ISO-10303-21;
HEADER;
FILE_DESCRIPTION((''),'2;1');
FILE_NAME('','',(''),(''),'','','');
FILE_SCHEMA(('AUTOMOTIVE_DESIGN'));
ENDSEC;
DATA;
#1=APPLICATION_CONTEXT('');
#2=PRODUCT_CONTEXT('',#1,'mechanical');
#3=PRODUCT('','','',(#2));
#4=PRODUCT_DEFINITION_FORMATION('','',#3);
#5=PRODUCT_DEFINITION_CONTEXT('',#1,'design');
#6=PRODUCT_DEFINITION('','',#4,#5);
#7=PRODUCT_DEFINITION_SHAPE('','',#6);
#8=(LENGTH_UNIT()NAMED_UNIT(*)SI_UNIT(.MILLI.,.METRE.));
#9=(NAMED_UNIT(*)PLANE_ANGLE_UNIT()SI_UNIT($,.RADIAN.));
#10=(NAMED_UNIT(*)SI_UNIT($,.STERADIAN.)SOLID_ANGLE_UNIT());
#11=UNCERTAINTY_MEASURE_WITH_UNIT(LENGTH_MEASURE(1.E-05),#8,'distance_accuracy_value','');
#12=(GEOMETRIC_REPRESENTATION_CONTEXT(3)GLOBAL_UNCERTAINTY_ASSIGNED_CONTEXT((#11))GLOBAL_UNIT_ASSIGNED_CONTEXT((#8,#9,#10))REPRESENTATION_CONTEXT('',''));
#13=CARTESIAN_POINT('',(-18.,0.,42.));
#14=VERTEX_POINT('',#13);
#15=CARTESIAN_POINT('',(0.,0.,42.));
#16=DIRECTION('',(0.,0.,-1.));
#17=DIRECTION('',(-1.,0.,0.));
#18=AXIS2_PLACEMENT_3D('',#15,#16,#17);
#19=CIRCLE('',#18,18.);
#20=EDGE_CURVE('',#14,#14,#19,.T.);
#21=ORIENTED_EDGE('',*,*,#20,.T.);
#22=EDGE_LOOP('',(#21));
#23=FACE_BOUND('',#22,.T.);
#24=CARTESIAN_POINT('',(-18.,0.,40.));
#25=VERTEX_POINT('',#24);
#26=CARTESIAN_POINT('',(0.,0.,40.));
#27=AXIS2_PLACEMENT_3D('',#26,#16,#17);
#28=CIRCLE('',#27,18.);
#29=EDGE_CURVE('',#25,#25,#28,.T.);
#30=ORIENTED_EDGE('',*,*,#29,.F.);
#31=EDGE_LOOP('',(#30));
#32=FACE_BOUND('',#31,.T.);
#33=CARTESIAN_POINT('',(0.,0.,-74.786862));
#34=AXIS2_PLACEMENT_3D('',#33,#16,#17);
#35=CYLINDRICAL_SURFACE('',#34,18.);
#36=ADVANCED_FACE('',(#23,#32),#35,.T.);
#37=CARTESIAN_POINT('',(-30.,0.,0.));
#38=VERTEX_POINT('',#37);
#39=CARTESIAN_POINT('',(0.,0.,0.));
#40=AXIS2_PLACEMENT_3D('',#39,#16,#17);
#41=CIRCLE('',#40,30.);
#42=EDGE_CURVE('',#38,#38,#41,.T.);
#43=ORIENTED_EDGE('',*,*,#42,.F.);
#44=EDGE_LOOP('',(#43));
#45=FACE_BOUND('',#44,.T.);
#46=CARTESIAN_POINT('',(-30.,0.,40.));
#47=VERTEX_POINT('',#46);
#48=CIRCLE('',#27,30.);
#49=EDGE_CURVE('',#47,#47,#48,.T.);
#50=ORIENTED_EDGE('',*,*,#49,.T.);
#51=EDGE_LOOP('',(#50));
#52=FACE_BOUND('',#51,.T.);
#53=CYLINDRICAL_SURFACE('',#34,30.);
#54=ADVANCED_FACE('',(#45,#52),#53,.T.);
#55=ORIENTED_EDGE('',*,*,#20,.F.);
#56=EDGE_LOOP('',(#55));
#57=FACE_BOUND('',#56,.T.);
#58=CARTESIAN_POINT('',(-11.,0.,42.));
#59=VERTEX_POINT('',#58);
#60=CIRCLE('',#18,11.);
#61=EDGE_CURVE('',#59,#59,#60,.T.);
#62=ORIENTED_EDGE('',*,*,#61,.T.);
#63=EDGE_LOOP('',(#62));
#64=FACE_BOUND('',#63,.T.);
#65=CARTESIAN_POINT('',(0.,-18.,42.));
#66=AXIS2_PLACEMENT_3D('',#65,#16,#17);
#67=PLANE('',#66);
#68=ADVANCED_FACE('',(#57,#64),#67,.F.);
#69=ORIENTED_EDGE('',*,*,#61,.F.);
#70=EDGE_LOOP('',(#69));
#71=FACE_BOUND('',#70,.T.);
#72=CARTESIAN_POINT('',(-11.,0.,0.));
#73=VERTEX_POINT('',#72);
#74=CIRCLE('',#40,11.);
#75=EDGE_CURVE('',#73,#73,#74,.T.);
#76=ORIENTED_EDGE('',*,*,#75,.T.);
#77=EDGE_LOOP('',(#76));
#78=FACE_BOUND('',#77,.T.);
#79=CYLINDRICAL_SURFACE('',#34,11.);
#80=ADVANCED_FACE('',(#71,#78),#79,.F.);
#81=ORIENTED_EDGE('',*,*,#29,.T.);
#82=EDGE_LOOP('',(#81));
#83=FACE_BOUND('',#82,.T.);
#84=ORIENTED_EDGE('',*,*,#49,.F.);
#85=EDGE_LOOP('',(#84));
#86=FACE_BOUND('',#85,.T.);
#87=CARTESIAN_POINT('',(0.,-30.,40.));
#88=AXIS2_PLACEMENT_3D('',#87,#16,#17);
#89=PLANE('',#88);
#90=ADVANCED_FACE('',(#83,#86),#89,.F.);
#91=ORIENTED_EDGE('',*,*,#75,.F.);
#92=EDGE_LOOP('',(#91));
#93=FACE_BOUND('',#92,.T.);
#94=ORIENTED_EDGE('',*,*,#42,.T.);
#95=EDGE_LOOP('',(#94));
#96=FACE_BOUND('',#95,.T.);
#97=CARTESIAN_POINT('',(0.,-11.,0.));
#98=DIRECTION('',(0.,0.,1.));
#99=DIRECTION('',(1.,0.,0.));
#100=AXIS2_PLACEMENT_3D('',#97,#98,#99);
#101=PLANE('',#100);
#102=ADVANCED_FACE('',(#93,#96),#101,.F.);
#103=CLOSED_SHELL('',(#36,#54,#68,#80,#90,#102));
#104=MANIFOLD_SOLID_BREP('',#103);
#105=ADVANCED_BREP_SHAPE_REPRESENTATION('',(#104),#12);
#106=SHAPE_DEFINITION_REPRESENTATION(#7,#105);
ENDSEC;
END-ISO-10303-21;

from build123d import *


with BuildPart() as part:
    # Sketch1 → Revolve1 (revolve)
    with BuildSketch(Plane(origin=(0, 0, 0), x_dir=(0, 0, -1), z_dir=(1, 0, 0)), mode=Mode.PRIVATE) as revolve1_sk:
        Polygon((0, -11), (0, -30), (-40, -30), (-40, -18), (-42, -18), (-42, -11), align=None)
    revolve(revolve1_sk.sketch.rotate(Axis((0, 0, -74.786862347), (0, 0, 1)), 270), axis=Axis((0, 0, -74.786862347), (0, 0, 1)))


solid = part.part
